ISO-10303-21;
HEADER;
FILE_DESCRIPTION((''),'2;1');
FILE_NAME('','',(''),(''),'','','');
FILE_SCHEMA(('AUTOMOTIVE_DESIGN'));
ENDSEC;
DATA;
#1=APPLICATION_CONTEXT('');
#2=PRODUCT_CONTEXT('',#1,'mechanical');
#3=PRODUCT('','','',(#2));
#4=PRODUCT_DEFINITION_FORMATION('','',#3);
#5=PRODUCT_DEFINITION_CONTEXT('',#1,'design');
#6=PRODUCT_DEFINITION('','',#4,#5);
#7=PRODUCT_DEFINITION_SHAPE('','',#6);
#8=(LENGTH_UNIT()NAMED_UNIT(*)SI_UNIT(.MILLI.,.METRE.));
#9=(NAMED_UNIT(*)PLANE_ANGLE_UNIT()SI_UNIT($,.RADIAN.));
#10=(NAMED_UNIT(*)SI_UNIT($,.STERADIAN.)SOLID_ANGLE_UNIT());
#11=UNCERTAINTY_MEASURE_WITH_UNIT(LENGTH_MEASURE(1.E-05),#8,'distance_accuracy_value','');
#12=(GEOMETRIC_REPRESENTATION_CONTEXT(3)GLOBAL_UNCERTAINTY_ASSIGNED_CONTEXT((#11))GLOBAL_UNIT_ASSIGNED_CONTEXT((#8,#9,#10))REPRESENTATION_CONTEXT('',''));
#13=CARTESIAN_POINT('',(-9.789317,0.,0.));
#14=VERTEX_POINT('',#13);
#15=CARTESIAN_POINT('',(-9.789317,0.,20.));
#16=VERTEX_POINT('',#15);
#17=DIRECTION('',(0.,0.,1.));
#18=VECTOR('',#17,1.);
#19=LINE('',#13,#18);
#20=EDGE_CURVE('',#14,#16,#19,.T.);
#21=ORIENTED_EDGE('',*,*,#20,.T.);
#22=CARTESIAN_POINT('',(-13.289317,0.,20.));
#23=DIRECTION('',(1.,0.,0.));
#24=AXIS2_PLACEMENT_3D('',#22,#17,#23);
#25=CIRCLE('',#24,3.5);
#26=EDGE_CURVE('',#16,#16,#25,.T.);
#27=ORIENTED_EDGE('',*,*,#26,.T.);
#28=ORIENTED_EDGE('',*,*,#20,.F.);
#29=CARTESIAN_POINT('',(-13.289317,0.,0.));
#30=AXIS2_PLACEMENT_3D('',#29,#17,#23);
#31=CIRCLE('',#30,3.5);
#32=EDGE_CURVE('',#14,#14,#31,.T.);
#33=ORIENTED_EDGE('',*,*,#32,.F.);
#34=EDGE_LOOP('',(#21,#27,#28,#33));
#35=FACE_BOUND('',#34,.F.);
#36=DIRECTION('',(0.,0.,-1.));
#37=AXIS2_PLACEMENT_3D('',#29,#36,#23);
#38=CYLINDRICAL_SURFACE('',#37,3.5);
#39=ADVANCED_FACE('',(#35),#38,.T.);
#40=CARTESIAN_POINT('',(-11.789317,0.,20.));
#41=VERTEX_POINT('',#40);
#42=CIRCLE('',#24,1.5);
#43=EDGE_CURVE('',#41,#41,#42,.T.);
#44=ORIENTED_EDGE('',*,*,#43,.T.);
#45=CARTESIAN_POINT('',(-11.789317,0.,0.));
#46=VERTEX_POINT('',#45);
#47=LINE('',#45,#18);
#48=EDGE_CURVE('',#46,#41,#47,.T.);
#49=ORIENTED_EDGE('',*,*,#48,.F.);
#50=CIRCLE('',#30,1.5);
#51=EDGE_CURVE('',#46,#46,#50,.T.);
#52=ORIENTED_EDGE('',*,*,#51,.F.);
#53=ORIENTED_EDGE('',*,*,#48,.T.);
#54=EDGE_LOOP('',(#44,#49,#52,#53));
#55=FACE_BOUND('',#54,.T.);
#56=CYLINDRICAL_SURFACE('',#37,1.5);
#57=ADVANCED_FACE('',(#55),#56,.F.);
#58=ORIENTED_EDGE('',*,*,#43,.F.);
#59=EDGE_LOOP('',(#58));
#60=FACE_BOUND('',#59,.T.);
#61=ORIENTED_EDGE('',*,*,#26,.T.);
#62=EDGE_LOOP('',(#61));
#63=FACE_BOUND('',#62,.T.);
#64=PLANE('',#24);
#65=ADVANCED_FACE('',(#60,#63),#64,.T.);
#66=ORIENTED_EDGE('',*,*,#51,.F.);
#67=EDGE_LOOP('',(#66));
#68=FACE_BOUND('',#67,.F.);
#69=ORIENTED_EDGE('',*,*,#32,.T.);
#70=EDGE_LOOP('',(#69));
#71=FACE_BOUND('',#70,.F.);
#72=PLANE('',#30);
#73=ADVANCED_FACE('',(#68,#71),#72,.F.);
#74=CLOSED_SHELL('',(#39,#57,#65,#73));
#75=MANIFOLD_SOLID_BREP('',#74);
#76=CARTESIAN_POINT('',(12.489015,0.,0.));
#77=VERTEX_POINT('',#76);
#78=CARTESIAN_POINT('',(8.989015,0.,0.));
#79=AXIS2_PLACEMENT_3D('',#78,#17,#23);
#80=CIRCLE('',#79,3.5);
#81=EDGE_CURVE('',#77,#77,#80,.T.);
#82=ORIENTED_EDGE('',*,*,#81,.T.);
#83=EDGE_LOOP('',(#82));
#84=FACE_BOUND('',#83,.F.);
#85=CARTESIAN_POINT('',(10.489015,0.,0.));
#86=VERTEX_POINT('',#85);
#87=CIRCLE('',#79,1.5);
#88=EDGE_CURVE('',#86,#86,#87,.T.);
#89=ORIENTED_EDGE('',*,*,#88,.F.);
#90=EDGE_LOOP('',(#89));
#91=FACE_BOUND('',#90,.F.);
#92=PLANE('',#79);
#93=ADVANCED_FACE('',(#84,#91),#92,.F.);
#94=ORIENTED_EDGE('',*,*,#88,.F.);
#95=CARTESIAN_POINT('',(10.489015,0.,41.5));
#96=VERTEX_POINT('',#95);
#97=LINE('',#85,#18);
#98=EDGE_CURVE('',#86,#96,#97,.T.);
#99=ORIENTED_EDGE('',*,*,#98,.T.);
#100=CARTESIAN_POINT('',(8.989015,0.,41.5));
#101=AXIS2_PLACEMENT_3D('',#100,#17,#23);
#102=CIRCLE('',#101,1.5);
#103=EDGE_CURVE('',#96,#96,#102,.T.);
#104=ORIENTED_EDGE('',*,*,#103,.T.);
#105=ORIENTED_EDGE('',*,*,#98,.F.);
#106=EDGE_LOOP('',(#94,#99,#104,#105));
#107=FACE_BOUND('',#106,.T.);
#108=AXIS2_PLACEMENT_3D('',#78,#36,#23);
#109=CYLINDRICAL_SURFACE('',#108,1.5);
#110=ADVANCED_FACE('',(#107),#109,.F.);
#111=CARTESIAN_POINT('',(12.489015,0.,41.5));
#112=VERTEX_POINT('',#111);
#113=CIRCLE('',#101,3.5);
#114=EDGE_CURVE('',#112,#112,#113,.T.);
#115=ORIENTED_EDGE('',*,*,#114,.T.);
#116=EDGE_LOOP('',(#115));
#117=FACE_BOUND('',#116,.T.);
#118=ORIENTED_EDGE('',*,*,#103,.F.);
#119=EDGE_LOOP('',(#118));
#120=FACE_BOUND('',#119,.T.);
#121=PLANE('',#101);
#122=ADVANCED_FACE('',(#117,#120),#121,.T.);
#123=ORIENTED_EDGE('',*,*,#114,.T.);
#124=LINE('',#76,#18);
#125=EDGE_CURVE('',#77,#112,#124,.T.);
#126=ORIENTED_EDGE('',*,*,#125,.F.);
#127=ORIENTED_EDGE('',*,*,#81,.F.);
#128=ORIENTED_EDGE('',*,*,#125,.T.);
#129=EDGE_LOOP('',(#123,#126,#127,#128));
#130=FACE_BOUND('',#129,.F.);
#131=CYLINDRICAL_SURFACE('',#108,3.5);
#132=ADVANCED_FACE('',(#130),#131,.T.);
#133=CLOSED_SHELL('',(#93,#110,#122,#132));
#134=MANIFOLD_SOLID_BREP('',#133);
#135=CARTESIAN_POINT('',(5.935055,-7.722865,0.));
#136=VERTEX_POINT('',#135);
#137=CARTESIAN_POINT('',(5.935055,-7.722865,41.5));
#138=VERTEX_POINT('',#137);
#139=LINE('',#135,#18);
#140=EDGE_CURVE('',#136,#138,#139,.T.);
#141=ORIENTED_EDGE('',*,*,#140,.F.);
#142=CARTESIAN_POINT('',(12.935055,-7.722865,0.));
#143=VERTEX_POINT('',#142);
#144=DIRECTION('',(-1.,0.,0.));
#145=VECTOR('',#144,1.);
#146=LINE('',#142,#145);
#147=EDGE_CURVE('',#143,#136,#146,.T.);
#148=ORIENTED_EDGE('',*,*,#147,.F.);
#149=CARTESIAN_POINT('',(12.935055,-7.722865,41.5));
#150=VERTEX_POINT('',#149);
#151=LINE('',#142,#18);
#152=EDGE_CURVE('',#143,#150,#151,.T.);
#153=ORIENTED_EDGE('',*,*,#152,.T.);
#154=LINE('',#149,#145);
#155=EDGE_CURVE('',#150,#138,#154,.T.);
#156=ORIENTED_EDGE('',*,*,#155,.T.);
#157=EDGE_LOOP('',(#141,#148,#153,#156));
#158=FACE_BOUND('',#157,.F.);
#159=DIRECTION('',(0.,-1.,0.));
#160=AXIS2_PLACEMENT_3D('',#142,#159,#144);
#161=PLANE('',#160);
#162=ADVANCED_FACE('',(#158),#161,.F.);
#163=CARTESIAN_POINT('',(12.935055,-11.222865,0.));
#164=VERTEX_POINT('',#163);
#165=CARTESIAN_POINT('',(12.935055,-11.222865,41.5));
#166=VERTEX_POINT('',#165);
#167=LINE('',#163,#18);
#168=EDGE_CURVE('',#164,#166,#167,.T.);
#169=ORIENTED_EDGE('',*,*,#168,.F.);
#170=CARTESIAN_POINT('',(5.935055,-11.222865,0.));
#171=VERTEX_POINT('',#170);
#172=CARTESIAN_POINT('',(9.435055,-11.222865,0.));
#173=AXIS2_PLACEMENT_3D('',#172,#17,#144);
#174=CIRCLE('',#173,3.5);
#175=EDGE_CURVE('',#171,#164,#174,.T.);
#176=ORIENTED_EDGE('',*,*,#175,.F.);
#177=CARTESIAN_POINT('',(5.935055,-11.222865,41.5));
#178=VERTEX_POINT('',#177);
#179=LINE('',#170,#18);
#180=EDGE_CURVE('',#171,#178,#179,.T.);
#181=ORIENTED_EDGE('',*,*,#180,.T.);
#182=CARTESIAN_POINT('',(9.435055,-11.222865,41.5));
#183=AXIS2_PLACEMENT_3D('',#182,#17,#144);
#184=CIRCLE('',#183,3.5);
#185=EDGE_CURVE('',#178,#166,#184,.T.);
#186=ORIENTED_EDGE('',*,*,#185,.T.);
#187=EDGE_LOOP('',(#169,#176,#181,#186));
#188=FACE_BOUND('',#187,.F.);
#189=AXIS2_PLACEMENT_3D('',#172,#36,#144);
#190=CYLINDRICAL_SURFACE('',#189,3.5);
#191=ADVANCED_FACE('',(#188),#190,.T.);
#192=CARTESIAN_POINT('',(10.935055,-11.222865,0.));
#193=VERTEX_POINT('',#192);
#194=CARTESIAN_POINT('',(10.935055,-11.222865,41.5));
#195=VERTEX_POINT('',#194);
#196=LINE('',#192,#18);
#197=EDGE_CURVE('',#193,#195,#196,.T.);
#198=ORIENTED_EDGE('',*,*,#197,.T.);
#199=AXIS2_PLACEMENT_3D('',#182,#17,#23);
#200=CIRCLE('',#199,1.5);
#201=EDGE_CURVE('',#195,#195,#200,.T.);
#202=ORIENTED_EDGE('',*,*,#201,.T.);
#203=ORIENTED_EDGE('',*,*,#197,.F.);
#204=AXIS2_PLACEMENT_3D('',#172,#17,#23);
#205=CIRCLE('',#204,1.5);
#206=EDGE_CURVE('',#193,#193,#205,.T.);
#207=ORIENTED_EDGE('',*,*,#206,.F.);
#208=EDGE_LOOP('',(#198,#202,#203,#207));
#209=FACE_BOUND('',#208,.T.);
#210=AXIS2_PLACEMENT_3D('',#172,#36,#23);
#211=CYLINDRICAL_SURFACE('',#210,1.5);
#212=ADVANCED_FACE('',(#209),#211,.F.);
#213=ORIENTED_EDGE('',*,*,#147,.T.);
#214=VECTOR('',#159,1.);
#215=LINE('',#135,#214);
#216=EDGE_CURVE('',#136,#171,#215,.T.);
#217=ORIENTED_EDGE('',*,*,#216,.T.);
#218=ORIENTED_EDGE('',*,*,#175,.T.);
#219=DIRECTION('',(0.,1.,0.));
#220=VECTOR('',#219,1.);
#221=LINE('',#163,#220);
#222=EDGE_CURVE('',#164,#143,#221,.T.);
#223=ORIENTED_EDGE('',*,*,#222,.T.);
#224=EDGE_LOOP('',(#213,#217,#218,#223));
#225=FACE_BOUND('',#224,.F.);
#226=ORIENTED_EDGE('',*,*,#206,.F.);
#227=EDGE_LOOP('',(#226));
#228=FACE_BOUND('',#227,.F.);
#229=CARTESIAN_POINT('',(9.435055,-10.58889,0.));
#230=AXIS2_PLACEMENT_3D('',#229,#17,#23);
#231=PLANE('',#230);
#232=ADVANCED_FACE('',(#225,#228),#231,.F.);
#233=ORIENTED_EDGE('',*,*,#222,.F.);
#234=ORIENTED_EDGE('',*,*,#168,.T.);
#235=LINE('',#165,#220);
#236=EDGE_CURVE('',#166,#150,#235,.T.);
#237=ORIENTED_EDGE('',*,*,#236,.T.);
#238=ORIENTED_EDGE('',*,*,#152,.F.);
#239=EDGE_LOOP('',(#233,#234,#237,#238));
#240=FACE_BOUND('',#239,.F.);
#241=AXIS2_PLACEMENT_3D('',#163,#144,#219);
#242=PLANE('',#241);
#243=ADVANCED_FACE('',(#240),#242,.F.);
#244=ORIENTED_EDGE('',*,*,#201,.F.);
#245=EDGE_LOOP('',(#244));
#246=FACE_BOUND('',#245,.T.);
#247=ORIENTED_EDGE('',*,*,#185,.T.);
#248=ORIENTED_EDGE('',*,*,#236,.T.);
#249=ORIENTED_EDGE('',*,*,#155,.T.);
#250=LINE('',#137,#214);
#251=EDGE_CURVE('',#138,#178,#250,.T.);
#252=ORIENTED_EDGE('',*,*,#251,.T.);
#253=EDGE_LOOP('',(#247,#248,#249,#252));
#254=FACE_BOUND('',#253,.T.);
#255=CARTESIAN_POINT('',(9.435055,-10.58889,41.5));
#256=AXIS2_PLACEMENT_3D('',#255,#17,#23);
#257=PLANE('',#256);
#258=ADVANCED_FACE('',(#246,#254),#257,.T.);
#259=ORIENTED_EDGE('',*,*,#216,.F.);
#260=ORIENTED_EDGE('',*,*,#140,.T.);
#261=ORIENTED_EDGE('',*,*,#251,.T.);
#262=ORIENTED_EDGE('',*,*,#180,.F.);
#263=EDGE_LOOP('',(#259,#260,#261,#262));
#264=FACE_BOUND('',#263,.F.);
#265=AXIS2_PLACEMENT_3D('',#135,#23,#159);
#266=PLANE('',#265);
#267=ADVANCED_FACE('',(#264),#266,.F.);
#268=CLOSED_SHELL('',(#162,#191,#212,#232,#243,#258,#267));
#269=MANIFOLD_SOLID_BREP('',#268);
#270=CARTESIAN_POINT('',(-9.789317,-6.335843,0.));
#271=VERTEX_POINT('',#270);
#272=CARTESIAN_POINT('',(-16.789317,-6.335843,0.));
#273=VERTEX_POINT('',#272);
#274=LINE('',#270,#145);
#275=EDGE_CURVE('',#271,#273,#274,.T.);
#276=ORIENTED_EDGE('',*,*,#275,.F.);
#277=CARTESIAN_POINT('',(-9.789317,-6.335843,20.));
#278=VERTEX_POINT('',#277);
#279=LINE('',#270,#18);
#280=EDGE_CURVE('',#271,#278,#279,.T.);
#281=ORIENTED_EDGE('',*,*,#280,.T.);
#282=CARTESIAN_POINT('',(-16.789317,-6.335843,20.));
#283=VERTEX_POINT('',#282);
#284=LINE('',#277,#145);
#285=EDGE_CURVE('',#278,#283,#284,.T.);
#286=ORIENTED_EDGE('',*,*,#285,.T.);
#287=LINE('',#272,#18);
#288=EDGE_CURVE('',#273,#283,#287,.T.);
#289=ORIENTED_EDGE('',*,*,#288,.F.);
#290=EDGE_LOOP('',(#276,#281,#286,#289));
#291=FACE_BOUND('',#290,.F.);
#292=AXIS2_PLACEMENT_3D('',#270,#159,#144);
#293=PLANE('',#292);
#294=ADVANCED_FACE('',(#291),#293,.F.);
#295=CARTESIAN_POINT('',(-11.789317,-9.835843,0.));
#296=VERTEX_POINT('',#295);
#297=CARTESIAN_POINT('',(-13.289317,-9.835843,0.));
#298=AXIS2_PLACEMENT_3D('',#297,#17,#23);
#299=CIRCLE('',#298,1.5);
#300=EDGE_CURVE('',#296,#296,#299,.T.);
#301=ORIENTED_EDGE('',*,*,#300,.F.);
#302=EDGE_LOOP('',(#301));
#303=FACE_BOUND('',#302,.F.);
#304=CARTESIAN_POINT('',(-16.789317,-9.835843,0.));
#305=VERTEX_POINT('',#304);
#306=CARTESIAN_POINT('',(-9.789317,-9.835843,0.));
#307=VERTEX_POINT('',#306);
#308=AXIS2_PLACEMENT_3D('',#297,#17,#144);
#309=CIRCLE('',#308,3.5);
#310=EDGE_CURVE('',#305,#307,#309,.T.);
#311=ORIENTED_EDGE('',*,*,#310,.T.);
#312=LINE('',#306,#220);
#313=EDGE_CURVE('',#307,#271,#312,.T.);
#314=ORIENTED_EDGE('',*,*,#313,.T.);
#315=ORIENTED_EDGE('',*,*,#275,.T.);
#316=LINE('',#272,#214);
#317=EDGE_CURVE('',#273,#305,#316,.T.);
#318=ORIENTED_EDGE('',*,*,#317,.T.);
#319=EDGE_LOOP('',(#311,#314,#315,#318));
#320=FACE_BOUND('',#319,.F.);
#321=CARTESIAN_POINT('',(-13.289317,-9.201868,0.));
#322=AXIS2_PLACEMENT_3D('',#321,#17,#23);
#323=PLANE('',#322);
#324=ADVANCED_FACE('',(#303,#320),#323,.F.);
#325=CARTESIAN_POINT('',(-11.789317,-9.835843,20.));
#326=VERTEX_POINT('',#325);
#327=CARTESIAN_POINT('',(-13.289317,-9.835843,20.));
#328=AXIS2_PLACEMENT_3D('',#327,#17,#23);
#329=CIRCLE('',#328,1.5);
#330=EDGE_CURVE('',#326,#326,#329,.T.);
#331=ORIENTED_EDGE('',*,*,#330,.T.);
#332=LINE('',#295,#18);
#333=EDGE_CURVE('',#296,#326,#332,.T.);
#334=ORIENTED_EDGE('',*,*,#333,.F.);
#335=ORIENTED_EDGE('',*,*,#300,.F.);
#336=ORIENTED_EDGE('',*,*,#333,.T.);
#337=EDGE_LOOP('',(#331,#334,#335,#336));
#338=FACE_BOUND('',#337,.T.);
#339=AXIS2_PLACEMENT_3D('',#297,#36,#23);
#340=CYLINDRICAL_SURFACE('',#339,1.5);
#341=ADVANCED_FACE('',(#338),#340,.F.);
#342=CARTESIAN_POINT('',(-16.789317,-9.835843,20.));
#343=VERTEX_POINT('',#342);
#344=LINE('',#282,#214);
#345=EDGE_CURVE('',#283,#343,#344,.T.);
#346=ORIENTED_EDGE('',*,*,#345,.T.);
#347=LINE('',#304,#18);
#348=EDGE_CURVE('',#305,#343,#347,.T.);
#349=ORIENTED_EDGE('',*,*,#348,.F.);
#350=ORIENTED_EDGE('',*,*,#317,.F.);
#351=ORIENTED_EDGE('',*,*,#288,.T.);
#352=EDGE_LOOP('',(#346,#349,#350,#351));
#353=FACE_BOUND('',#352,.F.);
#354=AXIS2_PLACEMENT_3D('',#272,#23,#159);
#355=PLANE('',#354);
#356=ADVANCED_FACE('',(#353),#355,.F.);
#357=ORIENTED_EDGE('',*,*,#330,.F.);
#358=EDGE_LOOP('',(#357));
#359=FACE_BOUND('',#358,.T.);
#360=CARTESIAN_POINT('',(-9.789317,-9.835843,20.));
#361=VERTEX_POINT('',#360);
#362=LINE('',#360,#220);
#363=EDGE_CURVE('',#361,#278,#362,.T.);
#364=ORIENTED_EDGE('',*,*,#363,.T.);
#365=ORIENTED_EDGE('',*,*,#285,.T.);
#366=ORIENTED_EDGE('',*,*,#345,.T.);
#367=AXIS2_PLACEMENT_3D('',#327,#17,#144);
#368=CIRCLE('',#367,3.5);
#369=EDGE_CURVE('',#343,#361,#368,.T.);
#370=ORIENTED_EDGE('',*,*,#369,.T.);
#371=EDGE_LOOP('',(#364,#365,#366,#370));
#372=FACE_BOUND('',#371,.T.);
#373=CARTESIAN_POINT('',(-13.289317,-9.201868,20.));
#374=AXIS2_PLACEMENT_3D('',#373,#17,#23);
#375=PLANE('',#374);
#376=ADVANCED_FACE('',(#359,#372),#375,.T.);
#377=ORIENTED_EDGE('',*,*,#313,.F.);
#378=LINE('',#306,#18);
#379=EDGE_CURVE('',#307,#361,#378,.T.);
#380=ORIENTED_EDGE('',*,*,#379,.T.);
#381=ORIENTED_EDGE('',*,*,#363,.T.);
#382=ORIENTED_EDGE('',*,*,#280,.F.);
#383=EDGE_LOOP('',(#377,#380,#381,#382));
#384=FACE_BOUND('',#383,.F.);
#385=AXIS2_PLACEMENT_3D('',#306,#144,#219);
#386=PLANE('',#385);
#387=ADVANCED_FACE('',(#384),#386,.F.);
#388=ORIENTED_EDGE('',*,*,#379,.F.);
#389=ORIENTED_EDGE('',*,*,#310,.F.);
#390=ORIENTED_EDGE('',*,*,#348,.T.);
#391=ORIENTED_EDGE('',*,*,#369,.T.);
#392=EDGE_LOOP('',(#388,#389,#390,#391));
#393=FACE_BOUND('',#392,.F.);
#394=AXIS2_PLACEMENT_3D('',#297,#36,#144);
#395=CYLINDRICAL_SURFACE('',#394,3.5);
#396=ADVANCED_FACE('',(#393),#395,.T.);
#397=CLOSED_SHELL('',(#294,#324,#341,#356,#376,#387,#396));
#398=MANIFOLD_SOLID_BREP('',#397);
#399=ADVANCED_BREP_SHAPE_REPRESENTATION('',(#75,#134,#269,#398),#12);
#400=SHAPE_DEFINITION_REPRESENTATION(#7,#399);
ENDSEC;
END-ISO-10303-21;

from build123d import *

# Parameters (mm, degrees)
F0_R     = 3.5
F0_R_2   = 1.5
F1_DEPTH = 20
F2_R     = 3.5
F2_R_2   = 1.5
F3_DEPTH = 41.5


with BuildPart() as f1:
    # F0 (on Top) → F1 (new body)
    with BuildSketch(Plane.XY):
        with Locations((-13.289317, 0)):
            Circle(F0_R)
        with Locations((-13.289317, 0)):
            Circle(F0_R_2, mode=Mode.SUBTRACT)
        with BuildLine():
            Line((-9.789317, -6.335843), (-16.789317, -6.335843))
            Line((-16.789317, -6.335843), (-16.789317, -9.835843))
            ThreePointArc((-16.789317, -9.835843), (-13.289317, -13.335843), (-9.789317, -9.835843))
            Line((-9.789317, -9.835843), (-9.789317, -6.335843))
        make_face()
        with Locations((-13.289317, -9.835843)):
            Circle(F0_R_2, mode=Mode.SUBTRACT)
    extrude(amount=F1_DEPTH)


with BuildPart() as f3:
    # F2 (on Top) → F3 (new body)
    with BuildSketch(Plane.XY):
        with Locations((8.989015, 0)):
            Circle(F2_R)
        with Locations((8.989015, 0)):
            Circle(F2_R_2, mode=Mode.SUBTRACT)
        with BuildLine():
            Line((12.935055, -7.722865), (5.935055, -7.722865))
            Line((5.935055, -7.722865), (5.935055, -11.222865))
            ThreePointArc((5.935055, -11.222865), (9.435055, -14.722865), (12.935055, -11.222865))
            Line((12.935055, -11.222865), (12.935055, -7.722865))
        make_face()
        with Locations((9.435055, -11.222865)):
            Circle(F2_R_2, mode=Mode.SUBTRACT)
    extrude(amount=F3_DEPTH)


solid = Compound([f1.part, f3.part])
